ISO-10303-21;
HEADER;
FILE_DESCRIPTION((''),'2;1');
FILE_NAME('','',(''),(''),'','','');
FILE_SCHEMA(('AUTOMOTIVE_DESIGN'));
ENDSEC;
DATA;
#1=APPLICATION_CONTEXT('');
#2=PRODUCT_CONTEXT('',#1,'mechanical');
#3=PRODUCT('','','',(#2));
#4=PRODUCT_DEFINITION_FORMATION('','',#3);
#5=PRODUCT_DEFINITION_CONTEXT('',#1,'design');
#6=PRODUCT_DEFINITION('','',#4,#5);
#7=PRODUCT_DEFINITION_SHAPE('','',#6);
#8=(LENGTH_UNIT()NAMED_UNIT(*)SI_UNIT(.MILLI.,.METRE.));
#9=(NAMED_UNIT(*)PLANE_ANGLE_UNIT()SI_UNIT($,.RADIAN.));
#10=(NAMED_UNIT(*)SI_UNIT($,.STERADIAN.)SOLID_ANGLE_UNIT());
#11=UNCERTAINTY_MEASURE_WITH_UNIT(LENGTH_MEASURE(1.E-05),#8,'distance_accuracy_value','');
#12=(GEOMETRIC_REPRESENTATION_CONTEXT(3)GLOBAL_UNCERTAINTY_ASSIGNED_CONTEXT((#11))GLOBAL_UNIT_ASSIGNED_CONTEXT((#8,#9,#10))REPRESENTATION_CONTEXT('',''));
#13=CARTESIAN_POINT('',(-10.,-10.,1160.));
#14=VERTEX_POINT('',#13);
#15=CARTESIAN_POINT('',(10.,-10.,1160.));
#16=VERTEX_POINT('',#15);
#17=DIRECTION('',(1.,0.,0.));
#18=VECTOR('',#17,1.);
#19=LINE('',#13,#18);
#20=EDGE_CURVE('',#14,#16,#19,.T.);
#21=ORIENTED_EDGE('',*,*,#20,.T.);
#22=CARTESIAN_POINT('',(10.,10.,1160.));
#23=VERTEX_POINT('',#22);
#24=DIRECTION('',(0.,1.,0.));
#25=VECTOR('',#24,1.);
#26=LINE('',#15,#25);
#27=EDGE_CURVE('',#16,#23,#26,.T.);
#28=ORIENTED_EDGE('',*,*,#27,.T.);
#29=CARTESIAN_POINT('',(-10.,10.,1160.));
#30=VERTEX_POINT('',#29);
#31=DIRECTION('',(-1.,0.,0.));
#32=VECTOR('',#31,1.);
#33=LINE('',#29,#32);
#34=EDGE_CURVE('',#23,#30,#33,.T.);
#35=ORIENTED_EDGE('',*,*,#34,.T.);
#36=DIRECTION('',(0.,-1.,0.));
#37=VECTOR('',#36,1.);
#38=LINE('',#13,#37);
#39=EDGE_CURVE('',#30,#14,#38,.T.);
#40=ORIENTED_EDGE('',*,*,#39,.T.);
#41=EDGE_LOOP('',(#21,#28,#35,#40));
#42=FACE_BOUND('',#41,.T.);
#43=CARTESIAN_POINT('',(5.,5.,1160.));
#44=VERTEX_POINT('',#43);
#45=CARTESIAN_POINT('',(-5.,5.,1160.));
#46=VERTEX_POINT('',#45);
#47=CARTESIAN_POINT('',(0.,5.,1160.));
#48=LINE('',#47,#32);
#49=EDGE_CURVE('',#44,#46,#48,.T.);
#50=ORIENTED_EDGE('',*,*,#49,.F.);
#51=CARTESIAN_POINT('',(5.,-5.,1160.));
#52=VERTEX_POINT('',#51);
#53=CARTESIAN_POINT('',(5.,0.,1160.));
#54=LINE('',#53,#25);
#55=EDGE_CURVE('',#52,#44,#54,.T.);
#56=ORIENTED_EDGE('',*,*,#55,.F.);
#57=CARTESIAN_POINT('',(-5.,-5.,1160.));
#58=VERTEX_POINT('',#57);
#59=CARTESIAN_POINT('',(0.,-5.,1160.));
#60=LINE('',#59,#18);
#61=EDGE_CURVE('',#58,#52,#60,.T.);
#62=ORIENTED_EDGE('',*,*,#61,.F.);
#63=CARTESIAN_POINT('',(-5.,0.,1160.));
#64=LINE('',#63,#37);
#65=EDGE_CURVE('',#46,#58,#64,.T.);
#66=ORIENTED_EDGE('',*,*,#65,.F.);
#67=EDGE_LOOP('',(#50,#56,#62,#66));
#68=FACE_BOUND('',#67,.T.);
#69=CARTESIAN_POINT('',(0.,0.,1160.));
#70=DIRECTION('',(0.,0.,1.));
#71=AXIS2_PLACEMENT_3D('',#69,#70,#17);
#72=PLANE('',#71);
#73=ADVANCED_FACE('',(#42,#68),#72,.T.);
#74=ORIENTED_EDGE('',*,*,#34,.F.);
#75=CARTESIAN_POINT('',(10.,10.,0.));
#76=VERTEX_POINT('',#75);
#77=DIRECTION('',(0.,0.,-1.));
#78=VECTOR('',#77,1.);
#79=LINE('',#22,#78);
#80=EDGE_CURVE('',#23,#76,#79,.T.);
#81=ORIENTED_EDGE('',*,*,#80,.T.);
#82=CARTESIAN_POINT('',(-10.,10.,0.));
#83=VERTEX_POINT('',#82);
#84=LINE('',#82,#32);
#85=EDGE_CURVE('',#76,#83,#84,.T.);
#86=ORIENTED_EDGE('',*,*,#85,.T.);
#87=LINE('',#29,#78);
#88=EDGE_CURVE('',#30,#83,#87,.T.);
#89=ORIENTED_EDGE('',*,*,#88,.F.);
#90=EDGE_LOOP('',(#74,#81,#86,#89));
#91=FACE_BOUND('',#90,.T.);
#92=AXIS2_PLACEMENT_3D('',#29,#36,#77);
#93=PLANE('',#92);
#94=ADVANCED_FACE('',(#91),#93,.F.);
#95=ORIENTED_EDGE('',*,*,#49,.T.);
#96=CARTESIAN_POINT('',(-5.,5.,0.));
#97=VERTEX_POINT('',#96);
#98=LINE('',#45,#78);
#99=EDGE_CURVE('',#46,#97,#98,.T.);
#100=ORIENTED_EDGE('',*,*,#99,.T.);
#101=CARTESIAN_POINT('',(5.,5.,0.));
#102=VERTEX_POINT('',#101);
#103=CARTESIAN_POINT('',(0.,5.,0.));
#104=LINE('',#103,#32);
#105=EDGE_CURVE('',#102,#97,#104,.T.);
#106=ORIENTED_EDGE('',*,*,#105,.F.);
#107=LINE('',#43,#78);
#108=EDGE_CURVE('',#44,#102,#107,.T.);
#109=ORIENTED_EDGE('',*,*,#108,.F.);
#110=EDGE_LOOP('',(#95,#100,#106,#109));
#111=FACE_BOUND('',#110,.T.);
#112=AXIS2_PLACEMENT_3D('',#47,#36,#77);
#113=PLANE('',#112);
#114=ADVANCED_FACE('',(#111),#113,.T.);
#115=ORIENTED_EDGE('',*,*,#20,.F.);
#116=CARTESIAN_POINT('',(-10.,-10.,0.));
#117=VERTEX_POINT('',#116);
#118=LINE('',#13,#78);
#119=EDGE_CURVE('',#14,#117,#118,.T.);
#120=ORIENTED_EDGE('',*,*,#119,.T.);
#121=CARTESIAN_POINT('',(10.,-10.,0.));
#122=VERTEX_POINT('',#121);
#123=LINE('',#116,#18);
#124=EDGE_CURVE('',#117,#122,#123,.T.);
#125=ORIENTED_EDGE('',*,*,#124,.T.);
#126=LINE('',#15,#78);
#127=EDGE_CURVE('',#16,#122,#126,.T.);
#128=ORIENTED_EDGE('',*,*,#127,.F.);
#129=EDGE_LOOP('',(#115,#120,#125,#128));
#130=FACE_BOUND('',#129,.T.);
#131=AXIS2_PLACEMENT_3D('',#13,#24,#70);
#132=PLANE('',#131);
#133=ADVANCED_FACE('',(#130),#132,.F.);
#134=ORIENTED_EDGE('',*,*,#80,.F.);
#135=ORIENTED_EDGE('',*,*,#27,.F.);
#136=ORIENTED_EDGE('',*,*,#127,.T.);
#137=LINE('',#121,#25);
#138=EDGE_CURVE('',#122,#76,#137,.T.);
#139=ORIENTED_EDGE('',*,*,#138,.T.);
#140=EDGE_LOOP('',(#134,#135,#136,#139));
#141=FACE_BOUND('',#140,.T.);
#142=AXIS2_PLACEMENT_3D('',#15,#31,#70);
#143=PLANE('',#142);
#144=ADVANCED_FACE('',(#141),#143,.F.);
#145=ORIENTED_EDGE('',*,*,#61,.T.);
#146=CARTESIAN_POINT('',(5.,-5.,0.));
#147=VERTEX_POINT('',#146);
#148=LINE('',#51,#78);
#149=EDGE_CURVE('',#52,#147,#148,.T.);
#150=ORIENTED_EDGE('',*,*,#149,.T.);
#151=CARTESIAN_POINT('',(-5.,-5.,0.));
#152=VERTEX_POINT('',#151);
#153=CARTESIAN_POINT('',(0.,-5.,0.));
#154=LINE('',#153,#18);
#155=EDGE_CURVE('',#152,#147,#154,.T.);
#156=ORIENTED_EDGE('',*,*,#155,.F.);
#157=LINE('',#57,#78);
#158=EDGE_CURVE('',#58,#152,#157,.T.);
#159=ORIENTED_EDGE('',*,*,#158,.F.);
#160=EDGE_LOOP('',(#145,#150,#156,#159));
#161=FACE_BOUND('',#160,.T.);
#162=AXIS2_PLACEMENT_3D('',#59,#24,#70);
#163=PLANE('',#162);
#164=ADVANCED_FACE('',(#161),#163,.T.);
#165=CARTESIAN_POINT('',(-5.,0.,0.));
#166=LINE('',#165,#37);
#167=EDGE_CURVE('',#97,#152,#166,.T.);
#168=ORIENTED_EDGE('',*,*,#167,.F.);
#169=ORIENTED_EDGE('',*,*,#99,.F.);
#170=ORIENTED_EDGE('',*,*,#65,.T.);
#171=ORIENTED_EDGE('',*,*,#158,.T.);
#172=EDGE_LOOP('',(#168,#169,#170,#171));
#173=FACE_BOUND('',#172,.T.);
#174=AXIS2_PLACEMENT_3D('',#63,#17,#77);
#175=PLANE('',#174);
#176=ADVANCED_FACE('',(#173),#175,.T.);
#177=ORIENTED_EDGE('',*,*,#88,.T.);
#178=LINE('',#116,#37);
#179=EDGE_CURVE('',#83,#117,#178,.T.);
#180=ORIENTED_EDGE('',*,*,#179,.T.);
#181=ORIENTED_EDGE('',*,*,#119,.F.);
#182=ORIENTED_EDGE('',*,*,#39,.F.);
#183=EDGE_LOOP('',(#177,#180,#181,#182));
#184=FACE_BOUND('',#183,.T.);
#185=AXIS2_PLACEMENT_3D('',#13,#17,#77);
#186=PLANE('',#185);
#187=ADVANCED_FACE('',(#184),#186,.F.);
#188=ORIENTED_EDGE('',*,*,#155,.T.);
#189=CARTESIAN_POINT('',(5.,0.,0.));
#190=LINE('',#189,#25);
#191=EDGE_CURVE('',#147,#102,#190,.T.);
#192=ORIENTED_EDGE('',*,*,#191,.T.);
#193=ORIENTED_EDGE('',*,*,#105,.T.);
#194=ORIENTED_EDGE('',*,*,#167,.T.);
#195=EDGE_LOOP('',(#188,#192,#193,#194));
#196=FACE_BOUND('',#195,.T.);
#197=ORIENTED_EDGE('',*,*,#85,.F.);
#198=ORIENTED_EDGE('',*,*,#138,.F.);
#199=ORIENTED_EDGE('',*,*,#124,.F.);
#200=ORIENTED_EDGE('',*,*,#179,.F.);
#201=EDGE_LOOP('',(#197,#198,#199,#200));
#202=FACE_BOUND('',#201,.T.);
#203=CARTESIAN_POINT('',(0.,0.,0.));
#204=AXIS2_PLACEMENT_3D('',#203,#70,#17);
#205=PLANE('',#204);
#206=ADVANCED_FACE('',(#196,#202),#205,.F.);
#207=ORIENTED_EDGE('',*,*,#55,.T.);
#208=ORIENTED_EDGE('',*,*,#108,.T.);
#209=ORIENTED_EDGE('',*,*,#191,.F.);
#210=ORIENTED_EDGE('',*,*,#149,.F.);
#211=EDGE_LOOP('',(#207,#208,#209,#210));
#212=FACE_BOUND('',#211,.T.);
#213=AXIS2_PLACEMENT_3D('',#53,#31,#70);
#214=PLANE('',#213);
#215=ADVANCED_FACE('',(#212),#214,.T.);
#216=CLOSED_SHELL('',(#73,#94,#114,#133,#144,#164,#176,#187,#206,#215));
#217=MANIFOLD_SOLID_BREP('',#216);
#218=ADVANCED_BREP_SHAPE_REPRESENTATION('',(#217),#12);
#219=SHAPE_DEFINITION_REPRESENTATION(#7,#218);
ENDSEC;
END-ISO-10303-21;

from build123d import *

# Parameters (mm, degrees)
SKETCH1_W           = 20
SKETCH1_H           = 20
SKETCH1_W_2         = 10
SKETCH1_H_2         = 10
EXTRUDE_THIN1_DEPTH = 1160


with BuildPart() as part:
    # Sketch1 → Extrude-Thin1 (new body)
    with BuildSketch(Plane.XY):
        Rectangle(SKETCH1_W, SKETCH1_H)
        Rectangle(SKETCH1_W_2, SKETCH1_H_2, mode=Mode.SUBTRACT)
    extrude(amount=EXTRUDE_THIN1_DEPTH)


solid = part.part
